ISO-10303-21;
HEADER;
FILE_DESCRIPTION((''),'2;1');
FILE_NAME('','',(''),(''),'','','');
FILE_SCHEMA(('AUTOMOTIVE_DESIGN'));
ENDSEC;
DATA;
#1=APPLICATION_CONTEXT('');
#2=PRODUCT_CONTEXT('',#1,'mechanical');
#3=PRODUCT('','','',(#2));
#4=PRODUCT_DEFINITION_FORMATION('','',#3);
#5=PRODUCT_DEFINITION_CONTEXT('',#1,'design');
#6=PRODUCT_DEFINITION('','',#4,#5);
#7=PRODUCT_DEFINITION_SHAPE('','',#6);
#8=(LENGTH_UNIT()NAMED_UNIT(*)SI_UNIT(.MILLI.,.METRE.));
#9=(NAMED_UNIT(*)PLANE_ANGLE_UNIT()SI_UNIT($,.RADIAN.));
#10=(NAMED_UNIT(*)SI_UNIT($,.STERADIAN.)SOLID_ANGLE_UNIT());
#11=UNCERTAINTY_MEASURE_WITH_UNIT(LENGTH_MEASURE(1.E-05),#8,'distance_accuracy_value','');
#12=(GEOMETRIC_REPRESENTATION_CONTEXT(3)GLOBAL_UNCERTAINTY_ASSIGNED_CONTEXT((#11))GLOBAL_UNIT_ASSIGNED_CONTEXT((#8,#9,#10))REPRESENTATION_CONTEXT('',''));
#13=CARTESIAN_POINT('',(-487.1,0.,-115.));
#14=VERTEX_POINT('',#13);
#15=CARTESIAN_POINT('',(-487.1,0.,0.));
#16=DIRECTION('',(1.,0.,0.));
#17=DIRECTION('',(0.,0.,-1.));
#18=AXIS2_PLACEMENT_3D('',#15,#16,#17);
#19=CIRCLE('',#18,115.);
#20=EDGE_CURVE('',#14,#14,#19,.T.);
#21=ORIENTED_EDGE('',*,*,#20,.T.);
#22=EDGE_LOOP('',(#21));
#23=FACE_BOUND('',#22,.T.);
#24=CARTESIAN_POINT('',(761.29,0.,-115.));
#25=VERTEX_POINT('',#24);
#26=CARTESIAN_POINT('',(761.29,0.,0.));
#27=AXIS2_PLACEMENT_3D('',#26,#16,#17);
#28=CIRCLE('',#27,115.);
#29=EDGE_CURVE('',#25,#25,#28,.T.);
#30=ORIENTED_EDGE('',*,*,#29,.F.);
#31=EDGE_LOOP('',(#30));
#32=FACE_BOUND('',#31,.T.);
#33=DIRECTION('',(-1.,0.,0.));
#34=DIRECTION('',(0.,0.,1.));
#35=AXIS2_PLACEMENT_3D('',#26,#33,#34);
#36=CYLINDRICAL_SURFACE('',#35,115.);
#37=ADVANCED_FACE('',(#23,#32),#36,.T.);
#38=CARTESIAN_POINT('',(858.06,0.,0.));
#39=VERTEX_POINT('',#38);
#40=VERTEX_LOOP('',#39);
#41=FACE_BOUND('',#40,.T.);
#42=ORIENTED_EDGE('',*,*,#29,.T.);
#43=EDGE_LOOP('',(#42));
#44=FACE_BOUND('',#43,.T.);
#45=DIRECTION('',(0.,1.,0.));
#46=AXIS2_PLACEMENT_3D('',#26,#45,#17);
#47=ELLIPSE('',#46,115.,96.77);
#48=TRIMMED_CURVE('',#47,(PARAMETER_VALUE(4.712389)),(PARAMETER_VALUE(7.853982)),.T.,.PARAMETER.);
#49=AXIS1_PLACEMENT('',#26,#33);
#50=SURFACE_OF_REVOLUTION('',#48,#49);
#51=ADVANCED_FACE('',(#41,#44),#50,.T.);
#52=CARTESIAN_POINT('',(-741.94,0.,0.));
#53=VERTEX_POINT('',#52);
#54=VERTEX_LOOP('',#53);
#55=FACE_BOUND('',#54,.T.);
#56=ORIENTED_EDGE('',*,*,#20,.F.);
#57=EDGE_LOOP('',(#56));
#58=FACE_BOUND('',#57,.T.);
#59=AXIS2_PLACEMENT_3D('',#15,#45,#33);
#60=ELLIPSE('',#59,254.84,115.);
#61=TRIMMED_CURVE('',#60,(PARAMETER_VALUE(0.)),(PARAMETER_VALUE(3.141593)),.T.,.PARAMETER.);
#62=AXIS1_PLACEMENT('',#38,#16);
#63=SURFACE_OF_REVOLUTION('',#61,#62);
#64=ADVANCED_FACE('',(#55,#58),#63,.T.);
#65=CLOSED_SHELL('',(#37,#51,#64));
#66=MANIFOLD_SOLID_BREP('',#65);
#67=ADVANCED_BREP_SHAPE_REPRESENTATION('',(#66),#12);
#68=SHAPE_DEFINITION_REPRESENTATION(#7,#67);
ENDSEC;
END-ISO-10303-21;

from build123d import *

# Parameters (mm, degrees)
SKETCH1_R           = 115
BOSS_EXTRUDE2_DEPTH = 761.29
BOSS_EXTRUDE3_START = -487.1
SKETCH2_R           = 115
BOSS_EXTRUDE3_DEPTH = 487.1


with BuildPart() as part:
    # Sketch1 → Boss-Extrude2 (new body)
    with BuildSketch(Plane(origin=(0, 0, 0), x_dir=(0, 0, -1), z_dir=(1, 0, 0))):
        Circle(SKETCH1_R)
    extrude(amount=BOSS_EXTRUDE2_DEPTH)

    # Sketch2 → Boss-Extrude3 (add)
    with BuildSketch(Plane(origin=(0, 0, 0), x_dir=(0, 0, -1), z_dir=(1, 0, 0)).offset(BOSS_EXTRUDE3_START)):
        Circle(SKETCH2_R)
    extrude(amount=BOSS_EXTRUDE3_DEPTH)

    # Sketch3 → Revolve1 (revolve)
    with BuildSketch(Plane(origin=(0, 0, 0), x_dir=(1, 0, 0), z_dir=(0, 1, 0))):
        with BuildLine():
            Line((761.29, 0), (858.06, 0))
            add(Edge.make_bspline(
                [(858.06, 0), (858.06, 115), (761.29, 115)],
                knots=[4.71238898, 4.71238898, 4.71238898, 6.283185307, 6.283185307, 6.283185307], degree=2, weights=[1, 0.707106781, 1]))
            Line((761.29, 115), (761.29, 0))
        make_face()
    revolve(axis=Axis((761.29, 0, 0), (1, 0, 0)))

    # Sketch4 → Revolve2 (revolve)
    with BuildSketch(Plane(origin=(0, 0, 0), x_dir=(1, 0, 0), z_dir=(0, 1, 0))):
        with BuildLine():
            Line((-487.1, 0), (-741.94, 0))
            add(Edge.make_bspline(
                [(-741.94, 0), (-741.94, -115), (-487.1, -115)],
                knots=[0, 0, 0, 1.570796327, 1.570796327, 1.570796327], degree=2, weights=[1, 0.707106781, 1]))
            Line((-487.1, -115), (-487.1, 0))
        make_face()
    revolve(axis=Axis((858.06, 0, 0), (-1, 0, 0)))


solid = part.part
